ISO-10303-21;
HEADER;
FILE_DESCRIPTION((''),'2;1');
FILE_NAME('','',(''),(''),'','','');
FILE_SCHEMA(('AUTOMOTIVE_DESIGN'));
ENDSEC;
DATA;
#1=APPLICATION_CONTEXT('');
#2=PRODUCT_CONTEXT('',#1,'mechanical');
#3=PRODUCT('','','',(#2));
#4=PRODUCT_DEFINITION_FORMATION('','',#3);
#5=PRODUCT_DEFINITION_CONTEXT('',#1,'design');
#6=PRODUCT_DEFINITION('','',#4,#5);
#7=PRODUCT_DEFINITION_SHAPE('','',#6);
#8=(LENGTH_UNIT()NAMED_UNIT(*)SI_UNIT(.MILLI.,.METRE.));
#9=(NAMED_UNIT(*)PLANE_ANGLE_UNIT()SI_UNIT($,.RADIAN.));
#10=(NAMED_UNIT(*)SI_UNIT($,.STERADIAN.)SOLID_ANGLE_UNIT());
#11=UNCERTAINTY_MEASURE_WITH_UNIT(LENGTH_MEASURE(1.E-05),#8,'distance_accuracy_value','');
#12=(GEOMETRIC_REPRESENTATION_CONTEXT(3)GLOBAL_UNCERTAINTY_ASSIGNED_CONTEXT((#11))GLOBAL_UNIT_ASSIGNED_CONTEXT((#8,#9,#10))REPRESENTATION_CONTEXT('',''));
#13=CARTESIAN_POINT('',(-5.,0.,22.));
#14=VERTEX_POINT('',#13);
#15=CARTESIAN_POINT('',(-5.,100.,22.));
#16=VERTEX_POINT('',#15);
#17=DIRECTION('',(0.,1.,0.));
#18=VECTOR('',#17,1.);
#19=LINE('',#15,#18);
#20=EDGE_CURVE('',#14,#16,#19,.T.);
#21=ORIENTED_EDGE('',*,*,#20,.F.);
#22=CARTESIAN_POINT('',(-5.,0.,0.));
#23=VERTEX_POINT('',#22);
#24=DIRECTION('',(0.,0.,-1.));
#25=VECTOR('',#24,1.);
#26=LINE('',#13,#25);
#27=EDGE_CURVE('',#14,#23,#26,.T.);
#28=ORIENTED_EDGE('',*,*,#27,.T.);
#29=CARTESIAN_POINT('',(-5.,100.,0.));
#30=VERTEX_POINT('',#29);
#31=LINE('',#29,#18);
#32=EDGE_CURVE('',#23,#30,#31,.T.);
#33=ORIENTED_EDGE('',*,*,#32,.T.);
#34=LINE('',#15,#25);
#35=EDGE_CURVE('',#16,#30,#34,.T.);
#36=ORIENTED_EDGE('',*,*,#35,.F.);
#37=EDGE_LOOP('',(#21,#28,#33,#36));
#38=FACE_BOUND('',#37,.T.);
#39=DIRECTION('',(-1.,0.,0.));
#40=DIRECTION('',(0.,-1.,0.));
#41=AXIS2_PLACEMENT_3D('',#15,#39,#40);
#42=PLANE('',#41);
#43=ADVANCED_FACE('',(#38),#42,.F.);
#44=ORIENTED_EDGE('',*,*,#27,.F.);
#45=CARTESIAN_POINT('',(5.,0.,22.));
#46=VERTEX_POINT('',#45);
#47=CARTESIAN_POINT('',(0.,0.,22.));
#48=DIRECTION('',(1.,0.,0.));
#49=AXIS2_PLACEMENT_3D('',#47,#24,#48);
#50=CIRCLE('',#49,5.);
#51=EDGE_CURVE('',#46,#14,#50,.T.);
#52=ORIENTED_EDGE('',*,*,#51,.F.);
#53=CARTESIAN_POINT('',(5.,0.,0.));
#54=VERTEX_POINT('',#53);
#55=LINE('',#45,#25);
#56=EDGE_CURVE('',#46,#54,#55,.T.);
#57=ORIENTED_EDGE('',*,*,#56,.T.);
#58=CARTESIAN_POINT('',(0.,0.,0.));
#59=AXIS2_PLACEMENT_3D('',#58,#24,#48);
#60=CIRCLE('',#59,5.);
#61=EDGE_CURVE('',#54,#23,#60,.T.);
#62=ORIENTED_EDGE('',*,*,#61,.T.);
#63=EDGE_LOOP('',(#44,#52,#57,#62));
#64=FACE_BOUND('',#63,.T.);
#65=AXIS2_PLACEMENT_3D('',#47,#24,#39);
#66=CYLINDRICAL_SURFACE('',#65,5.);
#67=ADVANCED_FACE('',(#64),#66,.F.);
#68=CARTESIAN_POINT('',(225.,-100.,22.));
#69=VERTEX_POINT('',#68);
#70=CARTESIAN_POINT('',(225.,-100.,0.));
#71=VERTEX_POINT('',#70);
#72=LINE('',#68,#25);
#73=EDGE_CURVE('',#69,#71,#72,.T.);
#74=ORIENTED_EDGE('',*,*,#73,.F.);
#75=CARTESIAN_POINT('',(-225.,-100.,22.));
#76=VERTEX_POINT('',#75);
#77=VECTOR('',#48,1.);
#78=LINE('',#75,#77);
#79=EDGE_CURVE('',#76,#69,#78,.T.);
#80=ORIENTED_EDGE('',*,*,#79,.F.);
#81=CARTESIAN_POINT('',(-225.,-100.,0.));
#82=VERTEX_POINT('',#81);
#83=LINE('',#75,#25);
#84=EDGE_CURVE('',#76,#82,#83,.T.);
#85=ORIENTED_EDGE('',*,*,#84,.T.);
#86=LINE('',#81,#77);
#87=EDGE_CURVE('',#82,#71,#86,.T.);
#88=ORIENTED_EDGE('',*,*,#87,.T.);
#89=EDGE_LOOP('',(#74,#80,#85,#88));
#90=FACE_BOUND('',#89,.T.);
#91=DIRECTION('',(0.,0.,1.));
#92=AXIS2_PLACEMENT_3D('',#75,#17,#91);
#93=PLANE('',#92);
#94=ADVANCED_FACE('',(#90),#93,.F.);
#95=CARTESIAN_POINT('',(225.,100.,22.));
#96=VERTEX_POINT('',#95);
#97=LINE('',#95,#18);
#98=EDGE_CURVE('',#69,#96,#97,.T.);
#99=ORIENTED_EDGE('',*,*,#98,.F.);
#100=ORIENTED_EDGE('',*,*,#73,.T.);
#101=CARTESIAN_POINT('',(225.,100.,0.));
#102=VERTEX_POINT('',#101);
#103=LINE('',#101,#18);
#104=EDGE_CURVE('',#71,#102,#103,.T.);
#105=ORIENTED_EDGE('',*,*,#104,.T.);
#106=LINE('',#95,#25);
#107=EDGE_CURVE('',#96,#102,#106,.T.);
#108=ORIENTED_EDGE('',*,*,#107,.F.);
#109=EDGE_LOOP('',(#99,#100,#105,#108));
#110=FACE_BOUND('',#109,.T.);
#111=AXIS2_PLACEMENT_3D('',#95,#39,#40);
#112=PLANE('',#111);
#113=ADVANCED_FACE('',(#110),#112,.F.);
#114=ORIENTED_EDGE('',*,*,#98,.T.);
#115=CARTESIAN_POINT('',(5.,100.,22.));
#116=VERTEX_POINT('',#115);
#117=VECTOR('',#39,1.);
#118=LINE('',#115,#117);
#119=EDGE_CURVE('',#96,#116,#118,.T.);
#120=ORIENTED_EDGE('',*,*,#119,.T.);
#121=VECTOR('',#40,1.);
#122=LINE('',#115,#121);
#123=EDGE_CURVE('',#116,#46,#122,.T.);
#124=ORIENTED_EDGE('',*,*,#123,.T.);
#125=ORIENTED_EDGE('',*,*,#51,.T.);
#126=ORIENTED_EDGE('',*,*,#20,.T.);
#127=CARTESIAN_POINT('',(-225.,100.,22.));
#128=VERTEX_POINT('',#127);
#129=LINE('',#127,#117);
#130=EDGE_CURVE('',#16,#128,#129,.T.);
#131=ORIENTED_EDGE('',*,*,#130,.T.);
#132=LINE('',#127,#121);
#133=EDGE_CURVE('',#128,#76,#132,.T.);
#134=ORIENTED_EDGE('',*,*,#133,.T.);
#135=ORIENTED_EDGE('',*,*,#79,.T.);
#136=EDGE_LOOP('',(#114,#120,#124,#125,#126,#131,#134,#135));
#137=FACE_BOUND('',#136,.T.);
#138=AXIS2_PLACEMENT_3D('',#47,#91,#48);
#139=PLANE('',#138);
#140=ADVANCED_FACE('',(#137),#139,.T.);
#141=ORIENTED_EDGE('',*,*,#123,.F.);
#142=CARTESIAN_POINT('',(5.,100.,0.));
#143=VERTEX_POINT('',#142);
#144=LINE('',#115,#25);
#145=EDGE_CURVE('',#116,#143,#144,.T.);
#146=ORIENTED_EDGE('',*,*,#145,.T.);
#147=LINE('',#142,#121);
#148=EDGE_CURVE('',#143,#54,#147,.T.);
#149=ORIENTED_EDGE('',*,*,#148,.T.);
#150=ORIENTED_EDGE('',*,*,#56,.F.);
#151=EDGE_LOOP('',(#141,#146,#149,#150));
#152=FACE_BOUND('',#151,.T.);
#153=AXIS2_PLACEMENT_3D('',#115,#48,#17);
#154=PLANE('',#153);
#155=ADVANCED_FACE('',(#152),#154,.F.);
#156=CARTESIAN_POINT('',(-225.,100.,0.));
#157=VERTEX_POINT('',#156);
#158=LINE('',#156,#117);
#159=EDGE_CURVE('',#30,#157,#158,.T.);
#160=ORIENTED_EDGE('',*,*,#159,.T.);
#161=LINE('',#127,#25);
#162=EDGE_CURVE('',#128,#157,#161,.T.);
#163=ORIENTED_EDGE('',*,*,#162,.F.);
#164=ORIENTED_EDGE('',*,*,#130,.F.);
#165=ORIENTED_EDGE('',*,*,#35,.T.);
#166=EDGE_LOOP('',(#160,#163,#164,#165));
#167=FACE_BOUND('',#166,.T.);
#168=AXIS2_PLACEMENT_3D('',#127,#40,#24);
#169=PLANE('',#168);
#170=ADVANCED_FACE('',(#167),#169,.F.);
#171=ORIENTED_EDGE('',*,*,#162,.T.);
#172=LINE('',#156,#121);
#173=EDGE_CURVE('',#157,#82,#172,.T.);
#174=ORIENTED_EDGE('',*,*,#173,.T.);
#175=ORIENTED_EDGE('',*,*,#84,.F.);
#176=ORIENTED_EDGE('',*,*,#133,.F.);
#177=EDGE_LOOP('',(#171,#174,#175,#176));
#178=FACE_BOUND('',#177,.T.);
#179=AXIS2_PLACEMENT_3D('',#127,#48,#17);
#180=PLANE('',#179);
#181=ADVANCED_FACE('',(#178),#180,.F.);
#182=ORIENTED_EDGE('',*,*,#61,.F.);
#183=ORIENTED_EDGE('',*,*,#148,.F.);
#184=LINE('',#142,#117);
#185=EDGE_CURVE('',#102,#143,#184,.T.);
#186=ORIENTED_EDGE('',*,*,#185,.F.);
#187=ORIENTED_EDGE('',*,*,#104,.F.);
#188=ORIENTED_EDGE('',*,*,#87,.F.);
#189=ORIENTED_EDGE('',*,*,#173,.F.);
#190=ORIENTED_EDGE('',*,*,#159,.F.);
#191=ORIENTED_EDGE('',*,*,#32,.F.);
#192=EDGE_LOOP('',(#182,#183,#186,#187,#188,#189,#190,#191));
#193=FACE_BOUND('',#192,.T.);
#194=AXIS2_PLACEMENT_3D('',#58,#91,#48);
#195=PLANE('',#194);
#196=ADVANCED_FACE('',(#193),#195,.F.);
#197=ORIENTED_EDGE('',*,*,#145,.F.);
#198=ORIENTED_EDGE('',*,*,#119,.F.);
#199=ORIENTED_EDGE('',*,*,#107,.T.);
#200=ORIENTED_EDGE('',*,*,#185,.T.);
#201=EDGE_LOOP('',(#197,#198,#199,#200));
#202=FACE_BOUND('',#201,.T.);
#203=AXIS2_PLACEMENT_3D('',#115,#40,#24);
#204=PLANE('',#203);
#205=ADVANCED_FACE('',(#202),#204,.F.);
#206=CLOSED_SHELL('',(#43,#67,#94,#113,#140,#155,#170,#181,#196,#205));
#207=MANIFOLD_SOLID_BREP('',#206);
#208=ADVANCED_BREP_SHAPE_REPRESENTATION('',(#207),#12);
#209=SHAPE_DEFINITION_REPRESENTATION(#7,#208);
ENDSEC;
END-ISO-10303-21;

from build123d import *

# Parameters (mm, degrees)
BOSS_EXTRUDE1_DEPTH = 22


with BuildPart() as part:
    # Sketch1 → Boss-Extrude1 (new body)
    with BuildSketch(Plane.XY):
        with BuildLine():
            Line((5, 100), (5, 0))
            ThreePointArc((5, 0), (0, -5), (-5, 0))
            Line((-5, 0), (-5, 100))
            Line((-5, 100), (-225, 100))
            Line((-225, 100), (-225, -100))
            Line((-225, -100), (225, -100))
            Line((225, -100), (225, 100))
            Line((225, 100), (5, 100))
        make_face()
    extrude(amount=BOSS_EXTRUDE1_DEPTH)


solid = part.part
